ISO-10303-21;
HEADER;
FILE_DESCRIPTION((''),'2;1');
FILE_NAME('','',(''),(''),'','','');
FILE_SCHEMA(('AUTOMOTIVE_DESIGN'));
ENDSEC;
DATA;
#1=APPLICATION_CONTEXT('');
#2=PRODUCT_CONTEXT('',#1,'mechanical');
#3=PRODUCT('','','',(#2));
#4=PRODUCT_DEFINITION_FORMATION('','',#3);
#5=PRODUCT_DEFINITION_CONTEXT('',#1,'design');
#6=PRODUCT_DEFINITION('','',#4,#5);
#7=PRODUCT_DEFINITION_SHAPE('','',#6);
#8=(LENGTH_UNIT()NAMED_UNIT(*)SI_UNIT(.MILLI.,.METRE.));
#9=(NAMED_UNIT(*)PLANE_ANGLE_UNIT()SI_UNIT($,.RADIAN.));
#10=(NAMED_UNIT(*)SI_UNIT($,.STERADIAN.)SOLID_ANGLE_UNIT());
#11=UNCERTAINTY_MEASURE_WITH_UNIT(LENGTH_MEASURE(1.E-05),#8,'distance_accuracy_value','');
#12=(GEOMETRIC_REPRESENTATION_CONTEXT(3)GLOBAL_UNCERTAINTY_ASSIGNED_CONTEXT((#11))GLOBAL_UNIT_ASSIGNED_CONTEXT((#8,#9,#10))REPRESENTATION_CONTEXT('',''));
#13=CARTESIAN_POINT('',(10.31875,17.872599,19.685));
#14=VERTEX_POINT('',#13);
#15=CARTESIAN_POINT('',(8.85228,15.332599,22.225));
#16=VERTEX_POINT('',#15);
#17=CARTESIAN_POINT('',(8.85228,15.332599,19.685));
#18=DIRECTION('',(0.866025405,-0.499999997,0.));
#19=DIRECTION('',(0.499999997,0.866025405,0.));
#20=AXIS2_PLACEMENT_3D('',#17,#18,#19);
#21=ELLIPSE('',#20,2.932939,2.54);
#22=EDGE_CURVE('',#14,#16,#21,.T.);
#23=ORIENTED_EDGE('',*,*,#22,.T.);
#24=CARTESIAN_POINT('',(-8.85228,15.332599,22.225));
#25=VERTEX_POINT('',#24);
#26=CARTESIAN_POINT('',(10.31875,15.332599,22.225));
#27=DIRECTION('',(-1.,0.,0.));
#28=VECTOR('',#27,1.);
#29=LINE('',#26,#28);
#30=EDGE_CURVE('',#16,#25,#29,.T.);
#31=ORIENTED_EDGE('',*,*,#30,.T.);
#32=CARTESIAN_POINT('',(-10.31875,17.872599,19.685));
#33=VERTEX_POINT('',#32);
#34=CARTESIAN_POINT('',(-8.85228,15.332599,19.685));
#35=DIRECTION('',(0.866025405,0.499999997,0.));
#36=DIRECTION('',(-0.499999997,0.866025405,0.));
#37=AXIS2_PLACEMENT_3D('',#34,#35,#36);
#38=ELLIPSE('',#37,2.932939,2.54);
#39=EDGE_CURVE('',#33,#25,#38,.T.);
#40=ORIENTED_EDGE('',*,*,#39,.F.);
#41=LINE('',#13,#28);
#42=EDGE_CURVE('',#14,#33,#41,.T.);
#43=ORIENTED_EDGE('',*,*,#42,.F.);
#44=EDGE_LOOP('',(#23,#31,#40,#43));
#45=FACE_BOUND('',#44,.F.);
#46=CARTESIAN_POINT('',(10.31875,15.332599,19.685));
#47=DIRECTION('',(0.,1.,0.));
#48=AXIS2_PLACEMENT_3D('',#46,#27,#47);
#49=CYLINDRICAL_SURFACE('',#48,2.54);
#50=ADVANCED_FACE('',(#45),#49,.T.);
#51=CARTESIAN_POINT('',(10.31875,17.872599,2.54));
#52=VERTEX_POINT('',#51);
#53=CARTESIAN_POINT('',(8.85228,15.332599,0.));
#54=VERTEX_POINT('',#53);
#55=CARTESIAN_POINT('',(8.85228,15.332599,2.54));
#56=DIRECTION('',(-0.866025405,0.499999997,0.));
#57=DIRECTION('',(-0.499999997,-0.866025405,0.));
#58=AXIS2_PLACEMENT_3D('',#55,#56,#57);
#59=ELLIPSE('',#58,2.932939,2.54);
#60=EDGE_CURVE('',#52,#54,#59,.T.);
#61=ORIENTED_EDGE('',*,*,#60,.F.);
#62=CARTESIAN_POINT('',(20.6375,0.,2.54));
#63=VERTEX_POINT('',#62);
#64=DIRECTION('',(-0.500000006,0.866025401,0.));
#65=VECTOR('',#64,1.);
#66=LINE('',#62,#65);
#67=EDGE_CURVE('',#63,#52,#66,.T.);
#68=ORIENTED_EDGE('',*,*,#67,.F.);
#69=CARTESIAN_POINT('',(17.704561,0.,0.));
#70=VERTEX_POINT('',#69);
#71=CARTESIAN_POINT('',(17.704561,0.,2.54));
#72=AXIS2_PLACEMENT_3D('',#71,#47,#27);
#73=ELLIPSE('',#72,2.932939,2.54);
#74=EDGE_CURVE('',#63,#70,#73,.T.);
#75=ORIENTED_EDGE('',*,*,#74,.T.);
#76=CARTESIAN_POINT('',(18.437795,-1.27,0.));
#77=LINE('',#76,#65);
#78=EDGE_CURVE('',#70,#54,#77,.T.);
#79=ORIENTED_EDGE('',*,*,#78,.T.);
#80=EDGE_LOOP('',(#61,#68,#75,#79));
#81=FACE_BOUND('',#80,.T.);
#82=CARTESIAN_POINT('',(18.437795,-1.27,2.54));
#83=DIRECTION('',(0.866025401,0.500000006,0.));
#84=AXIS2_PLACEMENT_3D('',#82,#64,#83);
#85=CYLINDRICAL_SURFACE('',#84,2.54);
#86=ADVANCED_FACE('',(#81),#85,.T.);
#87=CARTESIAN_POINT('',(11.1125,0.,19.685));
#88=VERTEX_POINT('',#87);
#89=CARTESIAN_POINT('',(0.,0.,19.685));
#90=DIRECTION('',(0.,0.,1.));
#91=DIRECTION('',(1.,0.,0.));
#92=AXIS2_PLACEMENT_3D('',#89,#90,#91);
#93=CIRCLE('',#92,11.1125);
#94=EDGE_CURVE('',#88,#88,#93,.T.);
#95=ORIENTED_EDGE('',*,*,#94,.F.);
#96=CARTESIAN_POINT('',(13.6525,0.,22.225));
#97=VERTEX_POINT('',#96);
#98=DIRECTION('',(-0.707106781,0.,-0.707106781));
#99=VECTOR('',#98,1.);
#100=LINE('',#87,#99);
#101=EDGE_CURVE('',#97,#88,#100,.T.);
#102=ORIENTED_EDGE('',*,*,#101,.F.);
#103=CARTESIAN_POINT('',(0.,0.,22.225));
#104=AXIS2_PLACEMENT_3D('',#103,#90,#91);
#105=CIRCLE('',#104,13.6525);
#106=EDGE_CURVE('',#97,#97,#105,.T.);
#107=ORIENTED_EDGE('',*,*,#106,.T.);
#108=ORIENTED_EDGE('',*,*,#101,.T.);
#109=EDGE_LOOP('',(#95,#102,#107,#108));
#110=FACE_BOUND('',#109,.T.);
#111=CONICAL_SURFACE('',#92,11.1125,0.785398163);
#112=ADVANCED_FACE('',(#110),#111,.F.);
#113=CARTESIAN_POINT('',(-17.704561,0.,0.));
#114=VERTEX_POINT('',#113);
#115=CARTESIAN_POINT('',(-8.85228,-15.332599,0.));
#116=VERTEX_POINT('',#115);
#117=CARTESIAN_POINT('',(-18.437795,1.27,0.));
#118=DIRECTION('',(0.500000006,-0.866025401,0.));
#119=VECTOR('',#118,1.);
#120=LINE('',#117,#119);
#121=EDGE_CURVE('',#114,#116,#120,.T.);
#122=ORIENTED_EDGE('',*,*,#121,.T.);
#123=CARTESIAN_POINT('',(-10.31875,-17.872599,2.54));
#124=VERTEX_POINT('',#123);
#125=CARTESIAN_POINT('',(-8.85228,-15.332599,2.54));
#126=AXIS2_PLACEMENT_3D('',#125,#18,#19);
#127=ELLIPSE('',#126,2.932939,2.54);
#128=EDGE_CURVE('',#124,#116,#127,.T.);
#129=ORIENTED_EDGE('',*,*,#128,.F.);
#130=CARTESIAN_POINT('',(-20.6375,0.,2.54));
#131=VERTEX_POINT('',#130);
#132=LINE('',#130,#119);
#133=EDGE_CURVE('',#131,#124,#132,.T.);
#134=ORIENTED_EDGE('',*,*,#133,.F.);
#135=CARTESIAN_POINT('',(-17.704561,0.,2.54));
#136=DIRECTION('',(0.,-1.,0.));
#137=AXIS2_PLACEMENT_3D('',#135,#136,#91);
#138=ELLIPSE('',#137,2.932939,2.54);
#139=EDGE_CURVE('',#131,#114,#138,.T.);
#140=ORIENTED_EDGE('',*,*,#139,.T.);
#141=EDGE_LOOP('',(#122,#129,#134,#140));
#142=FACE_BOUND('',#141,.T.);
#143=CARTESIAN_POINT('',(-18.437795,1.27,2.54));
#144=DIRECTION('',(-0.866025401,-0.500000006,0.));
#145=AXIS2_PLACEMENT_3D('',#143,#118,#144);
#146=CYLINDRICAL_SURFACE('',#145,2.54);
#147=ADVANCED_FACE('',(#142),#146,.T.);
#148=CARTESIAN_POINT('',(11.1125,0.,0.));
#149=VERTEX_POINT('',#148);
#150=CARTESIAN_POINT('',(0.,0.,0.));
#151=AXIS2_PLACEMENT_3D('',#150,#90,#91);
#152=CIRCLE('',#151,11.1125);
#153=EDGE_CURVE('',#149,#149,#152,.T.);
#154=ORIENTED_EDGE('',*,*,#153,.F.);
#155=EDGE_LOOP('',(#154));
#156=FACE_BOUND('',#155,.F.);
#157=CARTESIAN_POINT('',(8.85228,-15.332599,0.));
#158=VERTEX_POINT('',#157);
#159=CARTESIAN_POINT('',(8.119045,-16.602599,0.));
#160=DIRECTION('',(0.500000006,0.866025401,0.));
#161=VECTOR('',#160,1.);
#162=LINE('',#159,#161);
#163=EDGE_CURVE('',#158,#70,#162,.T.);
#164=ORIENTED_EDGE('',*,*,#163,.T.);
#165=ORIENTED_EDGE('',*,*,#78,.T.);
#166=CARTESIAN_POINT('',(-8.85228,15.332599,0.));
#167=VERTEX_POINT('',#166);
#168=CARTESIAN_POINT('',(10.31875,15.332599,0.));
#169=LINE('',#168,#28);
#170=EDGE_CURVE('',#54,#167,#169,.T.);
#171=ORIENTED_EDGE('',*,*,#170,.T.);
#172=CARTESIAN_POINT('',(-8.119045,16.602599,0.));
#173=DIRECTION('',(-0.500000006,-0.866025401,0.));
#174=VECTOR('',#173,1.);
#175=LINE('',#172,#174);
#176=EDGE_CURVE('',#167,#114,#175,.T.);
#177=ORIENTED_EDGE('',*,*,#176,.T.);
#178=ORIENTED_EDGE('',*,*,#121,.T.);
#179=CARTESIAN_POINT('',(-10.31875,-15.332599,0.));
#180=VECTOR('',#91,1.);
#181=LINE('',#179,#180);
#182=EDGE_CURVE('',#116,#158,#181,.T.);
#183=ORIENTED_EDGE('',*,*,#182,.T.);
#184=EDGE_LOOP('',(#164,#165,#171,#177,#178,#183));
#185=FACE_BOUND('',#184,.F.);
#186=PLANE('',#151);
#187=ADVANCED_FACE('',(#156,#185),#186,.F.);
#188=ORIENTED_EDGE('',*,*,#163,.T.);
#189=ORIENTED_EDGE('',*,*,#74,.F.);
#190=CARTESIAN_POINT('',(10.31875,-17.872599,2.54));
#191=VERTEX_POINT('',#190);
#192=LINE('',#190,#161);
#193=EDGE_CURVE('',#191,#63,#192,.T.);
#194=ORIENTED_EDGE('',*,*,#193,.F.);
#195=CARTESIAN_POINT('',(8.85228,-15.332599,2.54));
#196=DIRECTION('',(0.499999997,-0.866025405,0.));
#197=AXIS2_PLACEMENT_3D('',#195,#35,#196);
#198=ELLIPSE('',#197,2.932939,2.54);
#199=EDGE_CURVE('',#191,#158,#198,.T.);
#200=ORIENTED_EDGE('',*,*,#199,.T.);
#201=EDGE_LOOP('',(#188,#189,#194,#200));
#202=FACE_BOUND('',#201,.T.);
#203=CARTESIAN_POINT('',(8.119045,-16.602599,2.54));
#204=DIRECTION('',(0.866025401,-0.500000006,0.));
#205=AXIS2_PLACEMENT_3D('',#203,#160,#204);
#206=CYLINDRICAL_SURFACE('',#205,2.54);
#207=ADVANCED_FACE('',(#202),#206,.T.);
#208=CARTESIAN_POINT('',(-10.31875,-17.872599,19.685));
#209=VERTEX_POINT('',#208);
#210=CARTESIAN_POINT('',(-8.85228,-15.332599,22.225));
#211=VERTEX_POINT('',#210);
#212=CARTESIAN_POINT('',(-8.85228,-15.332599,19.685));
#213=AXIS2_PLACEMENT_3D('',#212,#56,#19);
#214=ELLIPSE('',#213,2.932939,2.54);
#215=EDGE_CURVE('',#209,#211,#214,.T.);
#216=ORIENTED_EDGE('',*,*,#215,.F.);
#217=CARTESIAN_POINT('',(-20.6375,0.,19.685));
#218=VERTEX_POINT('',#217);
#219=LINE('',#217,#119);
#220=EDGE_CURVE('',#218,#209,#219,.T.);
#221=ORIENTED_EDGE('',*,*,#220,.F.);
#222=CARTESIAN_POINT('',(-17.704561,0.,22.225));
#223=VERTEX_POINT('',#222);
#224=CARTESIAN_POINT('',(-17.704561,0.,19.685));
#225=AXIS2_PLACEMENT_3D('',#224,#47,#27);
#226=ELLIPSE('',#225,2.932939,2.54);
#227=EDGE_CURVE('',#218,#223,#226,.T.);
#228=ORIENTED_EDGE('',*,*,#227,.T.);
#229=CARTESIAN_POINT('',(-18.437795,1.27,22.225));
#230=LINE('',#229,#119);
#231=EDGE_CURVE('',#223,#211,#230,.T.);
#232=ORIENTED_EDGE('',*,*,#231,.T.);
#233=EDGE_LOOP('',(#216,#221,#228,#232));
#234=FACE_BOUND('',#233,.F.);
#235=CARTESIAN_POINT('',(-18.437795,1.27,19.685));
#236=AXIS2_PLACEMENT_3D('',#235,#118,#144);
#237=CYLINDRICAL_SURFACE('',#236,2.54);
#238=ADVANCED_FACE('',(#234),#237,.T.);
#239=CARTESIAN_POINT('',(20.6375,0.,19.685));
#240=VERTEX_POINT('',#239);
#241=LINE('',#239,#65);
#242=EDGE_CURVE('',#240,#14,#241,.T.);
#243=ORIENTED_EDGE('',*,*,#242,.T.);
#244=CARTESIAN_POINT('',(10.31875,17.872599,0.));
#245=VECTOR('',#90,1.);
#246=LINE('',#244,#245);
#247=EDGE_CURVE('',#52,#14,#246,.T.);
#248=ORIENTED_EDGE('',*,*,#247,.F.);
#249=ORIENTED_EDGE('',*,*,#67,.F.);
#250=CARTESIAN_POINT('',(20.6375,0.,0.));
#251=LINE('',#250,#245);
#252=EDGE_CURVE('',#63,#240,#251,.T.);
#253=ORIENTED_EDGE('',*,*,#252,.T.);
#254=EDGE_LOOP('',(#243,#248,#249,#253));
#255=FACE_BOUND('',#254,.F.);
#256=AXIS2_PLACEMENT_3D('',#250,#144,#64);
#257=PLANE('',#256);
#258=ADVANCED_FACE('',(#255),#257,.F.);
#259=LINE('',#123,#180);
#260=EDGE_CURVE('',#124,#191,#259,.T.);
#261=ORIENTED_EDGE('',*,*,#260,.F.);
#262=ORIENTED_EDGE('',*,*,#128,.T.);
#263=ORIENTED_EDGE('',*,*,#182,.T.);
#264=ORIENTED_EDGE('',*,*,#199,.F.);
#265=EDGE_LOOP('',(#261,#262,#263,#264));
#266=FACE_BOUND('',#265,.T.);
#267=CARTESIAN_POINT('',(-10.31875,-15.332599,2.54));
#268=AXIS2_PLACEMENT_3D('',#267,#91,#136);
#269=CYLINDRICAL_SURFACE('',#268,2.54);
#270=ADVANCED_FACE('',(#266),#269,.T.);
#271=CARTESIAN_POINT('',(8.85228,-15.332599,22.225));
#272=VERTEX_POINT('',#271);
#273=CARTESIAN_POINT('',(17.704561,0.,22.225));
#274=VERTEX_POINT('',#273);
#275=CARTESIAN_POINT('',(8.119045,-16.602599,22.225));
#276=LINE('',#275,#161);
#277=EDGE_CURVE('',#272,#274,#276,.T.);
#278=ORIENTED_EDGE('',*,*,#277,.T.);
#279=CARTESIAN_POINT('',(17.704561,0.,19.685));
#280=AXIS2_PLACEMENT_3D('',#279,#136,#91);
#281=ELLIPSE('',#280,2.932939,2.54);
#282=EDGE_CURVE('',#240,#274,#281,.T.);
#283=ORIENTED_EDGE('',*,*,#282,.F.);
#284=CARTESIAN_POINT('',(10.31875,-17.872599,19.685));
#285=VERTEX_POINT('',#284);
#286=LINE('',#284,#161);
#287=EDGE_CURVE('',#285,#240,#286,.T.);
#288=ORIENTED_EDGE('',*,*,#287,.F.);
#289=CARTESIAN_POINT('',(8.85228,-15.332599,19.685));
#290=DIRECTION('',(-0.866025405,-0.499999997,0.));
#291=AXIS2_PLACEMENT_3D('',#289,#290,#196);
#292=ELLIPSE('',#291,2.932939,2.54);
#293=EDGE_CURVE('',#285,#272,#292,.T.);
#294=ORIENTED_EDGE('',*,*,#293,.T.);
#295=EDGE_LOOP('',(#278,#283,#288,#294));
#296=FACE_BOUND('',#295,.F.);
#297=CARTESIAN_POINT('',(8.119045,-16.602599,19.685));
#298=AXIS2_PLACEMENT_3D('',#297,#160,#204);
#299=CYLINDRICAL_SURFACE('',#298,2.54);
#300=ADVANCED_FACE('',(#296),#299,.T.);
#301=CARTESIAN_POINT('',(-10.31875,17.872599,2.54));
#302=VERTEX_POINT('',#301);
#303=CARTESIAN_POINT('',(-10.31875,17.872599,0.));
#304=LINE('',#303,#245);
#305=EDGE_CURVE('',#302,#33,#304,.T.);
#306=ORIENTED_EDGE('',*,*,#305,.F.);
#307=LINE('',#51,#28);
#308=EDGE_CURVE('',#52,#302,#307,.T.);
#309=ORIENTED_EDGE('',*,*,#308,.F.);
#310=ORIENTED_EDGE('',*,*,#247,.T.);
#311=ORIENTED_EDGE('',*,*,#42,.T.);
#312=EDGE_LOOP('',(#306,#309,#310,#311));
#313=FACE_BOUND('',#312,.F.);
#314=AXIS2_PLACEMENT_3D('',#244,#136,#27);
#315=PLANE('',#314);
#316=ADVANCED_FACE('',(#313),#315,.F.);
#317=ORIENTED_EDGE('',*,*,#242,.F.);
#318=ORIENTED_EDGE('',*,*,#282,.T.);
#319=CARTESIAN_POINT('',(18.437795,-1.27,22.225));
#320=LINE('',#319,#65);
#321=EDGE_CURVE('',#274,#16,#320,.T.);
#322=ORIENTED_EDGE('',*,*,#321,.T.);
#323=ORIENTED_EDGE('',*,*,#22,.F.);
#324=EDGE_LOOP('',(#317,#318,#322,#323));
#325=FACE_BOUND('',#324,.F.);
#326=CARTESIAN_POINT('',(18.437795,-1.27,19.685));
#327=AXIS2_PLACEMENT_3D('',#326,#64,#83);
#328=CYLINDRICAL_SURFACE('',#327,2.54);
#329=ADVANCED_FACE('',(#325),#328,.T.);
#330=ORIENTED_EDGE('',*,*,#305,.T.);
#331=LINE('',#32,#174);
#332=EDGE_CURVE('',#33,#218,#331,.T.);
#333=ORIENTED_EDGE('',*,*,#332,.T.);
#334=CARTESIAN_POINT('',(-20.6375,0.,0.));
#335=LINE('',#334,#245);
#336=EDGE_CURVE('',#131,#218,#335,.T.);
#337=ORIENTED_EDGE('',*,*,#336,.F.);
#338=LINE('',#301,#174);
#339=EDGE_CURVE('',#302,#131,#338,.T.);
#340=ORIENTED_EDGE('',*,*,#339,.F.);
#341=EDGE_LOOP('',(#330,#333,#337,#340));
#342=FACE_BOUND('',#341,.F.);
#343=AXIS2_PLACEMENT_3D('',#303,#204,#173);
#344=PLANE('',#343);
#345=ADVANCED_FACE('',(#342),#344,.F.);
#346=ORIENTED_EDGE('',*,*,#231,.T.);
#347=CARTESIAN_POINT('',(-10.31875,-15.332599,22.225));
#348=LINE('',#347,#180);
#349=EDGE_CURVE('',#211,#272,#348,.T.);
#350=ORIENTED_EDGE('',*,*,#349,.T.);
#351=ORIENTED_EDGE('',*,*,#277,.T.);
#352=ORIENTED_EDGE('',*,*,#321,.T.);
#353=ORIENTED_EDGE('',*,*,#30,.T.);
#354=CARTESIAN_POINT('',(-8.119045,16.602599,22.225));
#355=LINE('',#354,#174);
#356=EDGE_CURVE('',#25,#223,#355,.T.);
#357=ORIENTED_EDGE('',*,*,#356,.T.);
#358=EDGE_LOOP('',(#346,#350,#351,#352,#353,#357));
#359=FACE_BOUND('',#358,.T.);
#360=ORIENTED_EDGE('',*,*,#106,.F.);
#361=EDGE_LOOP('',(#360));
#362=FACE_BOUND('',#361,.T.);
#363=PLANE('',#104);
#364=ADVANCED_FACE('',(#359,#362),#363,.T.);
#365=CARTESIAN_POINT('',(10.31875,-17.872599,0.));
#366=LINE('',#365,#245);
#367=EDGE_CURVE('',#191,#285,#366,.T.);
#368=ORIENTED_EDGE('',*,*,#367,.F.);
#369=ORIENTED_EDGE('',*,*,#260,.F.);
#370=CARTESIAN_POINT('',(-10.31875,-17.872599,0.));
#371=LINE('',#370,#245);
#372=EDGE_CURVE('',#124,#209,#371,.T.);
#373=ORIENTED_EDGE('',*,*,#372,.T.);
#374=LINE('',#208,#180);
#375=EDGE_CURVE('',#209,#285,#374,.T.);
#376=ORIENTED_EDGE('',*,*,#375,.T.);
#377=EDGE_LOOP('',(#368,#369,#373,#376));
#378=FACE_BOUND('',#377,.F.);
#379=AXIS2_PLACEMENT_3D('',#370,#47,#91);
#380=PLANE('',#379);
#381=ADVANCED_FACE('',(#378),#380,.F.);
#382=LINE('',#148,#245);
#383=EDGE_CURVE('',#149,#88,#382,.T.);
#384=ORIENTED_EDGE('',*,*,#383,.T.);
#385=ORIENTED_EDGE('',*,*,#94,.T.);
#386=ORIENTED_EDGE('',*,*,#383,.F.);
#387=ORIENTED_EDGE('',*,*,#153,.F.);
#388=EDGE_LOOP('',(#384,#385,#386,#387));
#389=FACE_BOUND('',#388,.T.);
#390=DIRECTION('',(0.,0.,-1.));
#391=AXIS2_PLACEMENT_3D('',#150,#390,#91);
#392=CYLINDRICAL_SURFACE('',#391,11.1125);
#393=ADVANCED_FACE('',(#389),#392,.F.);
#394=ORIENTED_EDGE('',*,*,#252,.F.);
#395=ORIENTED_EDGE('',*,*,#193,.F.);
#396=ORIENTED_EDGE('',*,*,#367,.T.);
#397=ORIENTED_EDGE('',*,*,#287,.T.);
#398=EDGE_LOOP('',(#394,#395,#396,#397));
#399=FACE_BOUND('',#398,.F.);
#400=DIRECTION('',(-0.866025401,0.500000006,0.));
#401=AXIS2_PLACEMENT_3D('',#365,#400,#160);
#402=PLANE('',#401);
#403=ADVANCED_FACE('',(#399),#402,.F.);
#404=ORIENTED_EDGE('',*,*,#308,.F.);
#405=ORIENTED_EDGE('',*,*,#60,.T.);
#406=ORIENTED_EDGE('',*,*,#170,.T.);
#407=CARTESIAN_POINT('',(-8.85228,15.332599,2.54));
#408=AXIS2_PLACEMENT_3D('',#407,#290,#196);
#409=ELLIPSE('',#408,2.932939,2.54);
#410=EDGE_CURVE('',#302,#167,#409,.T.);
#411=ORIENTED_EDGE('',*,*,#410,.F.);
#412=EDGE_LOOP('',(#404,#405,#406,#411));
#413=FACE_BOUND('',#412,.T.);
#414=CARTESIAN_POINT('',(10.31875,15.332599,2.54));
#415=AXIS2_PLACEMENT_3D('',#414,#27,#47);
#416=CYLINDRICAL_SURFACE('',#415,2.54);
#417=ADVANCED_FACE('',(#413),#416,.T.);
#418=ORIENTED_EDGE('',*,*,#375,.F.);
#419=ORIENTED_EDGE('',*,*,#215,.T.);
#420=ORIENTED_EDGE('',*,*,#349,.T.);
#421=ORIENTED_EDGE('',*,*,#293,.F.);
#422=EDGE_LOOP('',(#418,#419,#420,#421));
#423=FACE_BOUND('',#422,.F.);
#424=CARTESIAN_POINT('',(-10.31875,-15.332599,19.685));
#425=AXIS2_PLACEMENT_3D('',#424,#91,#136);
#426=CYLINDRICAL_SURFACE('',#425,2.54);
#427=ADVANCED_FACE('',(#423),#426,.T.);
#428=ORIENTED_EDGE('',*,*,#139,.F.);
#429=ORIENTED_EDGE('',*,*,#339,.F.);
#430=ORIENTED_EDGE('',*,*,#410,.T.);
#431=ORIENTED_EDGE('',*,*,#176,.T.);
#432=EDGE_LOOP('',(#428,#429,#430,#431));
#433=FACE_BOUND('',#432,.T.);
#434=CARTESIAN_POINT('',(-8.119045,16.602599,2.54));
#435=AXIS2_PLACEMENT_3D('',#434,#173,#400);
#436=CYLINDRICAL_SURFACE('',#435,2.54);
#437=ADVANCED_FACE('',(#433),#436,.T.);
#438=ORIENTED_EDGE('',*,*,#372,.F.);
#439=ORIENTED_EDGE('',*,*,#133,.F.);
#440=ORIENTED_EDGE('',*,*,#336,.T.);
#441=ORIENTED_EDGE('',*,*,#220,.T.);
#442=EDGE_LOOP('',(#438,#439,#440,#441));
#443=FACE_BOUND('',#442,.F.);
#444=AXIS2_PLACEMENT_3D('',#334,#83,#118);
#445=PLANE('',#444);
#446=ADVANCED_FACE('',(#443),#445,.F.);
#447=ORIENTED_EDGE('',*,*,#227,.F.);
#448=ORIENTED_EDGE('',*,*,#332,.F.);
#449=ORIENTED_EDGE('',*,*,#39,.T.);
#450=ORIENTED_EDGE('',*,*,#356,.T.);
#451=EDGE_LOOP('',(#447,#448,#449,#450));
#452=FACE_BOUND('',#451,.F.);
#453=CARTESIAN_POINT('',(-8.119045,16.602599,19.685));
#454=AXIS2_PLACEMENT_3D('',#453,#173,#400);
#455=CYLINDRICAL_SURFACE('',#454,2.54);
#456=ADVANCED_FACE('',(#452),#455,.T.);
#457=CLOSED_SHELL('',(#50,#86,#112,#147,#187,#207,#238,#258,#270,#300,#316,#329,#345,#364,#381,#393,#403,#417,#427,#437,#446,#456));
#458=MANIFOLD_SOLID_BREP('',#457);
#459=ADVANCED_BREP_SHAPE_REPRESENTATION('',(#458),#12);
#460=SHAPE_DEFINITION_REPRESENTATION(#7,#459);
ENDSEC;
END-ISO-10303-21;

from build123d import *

# Parameters (mm, degrees)
F0_R     = 11.1125
F1_DEPTH = 22.225
F2_R     = 2.54
F3_SIZE  = 2.54


with BuildPart() as f1:
    # F0 (on Top) → F1 (new body)
    with BuildSketch(Plane.XY):
        Polygon((10.31875, -17.872599), (20.6375, 0), (10.31875, 17.872599), (-10.31875, 17.872599), (-20.6375, 0), (-10.31875, -17.872599), align=None)
        Circle(F0_R, mode=Mode.SUBTRACT)
    extrude(amount=F1_DEPTH)

    # F2
    f2_edges = [f1.edges().sort_by_distance(p)[0] for p in [
        (0, -17.872599, 22.225),
        (15.478125, -8.9363, 22.225),
        (15.478125, 8.9363, 22.225),
        (0, 17.872599, 22.225),
        (-15.478125, 8.9363, 22.225),
        (-15.478125, -8.9363, 22.225),
        (0, -17.872599, 0),
        (-15.478125, -8.9363, 0),
        (-15.478125, 8.9363, 0),
        (0, 17.872599, 0),
        (15.478125, 8.9363, 0),
        (15.478125, -8.9363, 0),
    ]]
    fillet(f2_edges, radius=F2_R)

    # F3
    f3_edges = [f1.edges().sort_by_distance(p)[0] for p in [
        (-11.1125, 0, 22.225),
    ]]
    chamfer(f3_edges, length=F3_SIZE)


solid = f1.part
